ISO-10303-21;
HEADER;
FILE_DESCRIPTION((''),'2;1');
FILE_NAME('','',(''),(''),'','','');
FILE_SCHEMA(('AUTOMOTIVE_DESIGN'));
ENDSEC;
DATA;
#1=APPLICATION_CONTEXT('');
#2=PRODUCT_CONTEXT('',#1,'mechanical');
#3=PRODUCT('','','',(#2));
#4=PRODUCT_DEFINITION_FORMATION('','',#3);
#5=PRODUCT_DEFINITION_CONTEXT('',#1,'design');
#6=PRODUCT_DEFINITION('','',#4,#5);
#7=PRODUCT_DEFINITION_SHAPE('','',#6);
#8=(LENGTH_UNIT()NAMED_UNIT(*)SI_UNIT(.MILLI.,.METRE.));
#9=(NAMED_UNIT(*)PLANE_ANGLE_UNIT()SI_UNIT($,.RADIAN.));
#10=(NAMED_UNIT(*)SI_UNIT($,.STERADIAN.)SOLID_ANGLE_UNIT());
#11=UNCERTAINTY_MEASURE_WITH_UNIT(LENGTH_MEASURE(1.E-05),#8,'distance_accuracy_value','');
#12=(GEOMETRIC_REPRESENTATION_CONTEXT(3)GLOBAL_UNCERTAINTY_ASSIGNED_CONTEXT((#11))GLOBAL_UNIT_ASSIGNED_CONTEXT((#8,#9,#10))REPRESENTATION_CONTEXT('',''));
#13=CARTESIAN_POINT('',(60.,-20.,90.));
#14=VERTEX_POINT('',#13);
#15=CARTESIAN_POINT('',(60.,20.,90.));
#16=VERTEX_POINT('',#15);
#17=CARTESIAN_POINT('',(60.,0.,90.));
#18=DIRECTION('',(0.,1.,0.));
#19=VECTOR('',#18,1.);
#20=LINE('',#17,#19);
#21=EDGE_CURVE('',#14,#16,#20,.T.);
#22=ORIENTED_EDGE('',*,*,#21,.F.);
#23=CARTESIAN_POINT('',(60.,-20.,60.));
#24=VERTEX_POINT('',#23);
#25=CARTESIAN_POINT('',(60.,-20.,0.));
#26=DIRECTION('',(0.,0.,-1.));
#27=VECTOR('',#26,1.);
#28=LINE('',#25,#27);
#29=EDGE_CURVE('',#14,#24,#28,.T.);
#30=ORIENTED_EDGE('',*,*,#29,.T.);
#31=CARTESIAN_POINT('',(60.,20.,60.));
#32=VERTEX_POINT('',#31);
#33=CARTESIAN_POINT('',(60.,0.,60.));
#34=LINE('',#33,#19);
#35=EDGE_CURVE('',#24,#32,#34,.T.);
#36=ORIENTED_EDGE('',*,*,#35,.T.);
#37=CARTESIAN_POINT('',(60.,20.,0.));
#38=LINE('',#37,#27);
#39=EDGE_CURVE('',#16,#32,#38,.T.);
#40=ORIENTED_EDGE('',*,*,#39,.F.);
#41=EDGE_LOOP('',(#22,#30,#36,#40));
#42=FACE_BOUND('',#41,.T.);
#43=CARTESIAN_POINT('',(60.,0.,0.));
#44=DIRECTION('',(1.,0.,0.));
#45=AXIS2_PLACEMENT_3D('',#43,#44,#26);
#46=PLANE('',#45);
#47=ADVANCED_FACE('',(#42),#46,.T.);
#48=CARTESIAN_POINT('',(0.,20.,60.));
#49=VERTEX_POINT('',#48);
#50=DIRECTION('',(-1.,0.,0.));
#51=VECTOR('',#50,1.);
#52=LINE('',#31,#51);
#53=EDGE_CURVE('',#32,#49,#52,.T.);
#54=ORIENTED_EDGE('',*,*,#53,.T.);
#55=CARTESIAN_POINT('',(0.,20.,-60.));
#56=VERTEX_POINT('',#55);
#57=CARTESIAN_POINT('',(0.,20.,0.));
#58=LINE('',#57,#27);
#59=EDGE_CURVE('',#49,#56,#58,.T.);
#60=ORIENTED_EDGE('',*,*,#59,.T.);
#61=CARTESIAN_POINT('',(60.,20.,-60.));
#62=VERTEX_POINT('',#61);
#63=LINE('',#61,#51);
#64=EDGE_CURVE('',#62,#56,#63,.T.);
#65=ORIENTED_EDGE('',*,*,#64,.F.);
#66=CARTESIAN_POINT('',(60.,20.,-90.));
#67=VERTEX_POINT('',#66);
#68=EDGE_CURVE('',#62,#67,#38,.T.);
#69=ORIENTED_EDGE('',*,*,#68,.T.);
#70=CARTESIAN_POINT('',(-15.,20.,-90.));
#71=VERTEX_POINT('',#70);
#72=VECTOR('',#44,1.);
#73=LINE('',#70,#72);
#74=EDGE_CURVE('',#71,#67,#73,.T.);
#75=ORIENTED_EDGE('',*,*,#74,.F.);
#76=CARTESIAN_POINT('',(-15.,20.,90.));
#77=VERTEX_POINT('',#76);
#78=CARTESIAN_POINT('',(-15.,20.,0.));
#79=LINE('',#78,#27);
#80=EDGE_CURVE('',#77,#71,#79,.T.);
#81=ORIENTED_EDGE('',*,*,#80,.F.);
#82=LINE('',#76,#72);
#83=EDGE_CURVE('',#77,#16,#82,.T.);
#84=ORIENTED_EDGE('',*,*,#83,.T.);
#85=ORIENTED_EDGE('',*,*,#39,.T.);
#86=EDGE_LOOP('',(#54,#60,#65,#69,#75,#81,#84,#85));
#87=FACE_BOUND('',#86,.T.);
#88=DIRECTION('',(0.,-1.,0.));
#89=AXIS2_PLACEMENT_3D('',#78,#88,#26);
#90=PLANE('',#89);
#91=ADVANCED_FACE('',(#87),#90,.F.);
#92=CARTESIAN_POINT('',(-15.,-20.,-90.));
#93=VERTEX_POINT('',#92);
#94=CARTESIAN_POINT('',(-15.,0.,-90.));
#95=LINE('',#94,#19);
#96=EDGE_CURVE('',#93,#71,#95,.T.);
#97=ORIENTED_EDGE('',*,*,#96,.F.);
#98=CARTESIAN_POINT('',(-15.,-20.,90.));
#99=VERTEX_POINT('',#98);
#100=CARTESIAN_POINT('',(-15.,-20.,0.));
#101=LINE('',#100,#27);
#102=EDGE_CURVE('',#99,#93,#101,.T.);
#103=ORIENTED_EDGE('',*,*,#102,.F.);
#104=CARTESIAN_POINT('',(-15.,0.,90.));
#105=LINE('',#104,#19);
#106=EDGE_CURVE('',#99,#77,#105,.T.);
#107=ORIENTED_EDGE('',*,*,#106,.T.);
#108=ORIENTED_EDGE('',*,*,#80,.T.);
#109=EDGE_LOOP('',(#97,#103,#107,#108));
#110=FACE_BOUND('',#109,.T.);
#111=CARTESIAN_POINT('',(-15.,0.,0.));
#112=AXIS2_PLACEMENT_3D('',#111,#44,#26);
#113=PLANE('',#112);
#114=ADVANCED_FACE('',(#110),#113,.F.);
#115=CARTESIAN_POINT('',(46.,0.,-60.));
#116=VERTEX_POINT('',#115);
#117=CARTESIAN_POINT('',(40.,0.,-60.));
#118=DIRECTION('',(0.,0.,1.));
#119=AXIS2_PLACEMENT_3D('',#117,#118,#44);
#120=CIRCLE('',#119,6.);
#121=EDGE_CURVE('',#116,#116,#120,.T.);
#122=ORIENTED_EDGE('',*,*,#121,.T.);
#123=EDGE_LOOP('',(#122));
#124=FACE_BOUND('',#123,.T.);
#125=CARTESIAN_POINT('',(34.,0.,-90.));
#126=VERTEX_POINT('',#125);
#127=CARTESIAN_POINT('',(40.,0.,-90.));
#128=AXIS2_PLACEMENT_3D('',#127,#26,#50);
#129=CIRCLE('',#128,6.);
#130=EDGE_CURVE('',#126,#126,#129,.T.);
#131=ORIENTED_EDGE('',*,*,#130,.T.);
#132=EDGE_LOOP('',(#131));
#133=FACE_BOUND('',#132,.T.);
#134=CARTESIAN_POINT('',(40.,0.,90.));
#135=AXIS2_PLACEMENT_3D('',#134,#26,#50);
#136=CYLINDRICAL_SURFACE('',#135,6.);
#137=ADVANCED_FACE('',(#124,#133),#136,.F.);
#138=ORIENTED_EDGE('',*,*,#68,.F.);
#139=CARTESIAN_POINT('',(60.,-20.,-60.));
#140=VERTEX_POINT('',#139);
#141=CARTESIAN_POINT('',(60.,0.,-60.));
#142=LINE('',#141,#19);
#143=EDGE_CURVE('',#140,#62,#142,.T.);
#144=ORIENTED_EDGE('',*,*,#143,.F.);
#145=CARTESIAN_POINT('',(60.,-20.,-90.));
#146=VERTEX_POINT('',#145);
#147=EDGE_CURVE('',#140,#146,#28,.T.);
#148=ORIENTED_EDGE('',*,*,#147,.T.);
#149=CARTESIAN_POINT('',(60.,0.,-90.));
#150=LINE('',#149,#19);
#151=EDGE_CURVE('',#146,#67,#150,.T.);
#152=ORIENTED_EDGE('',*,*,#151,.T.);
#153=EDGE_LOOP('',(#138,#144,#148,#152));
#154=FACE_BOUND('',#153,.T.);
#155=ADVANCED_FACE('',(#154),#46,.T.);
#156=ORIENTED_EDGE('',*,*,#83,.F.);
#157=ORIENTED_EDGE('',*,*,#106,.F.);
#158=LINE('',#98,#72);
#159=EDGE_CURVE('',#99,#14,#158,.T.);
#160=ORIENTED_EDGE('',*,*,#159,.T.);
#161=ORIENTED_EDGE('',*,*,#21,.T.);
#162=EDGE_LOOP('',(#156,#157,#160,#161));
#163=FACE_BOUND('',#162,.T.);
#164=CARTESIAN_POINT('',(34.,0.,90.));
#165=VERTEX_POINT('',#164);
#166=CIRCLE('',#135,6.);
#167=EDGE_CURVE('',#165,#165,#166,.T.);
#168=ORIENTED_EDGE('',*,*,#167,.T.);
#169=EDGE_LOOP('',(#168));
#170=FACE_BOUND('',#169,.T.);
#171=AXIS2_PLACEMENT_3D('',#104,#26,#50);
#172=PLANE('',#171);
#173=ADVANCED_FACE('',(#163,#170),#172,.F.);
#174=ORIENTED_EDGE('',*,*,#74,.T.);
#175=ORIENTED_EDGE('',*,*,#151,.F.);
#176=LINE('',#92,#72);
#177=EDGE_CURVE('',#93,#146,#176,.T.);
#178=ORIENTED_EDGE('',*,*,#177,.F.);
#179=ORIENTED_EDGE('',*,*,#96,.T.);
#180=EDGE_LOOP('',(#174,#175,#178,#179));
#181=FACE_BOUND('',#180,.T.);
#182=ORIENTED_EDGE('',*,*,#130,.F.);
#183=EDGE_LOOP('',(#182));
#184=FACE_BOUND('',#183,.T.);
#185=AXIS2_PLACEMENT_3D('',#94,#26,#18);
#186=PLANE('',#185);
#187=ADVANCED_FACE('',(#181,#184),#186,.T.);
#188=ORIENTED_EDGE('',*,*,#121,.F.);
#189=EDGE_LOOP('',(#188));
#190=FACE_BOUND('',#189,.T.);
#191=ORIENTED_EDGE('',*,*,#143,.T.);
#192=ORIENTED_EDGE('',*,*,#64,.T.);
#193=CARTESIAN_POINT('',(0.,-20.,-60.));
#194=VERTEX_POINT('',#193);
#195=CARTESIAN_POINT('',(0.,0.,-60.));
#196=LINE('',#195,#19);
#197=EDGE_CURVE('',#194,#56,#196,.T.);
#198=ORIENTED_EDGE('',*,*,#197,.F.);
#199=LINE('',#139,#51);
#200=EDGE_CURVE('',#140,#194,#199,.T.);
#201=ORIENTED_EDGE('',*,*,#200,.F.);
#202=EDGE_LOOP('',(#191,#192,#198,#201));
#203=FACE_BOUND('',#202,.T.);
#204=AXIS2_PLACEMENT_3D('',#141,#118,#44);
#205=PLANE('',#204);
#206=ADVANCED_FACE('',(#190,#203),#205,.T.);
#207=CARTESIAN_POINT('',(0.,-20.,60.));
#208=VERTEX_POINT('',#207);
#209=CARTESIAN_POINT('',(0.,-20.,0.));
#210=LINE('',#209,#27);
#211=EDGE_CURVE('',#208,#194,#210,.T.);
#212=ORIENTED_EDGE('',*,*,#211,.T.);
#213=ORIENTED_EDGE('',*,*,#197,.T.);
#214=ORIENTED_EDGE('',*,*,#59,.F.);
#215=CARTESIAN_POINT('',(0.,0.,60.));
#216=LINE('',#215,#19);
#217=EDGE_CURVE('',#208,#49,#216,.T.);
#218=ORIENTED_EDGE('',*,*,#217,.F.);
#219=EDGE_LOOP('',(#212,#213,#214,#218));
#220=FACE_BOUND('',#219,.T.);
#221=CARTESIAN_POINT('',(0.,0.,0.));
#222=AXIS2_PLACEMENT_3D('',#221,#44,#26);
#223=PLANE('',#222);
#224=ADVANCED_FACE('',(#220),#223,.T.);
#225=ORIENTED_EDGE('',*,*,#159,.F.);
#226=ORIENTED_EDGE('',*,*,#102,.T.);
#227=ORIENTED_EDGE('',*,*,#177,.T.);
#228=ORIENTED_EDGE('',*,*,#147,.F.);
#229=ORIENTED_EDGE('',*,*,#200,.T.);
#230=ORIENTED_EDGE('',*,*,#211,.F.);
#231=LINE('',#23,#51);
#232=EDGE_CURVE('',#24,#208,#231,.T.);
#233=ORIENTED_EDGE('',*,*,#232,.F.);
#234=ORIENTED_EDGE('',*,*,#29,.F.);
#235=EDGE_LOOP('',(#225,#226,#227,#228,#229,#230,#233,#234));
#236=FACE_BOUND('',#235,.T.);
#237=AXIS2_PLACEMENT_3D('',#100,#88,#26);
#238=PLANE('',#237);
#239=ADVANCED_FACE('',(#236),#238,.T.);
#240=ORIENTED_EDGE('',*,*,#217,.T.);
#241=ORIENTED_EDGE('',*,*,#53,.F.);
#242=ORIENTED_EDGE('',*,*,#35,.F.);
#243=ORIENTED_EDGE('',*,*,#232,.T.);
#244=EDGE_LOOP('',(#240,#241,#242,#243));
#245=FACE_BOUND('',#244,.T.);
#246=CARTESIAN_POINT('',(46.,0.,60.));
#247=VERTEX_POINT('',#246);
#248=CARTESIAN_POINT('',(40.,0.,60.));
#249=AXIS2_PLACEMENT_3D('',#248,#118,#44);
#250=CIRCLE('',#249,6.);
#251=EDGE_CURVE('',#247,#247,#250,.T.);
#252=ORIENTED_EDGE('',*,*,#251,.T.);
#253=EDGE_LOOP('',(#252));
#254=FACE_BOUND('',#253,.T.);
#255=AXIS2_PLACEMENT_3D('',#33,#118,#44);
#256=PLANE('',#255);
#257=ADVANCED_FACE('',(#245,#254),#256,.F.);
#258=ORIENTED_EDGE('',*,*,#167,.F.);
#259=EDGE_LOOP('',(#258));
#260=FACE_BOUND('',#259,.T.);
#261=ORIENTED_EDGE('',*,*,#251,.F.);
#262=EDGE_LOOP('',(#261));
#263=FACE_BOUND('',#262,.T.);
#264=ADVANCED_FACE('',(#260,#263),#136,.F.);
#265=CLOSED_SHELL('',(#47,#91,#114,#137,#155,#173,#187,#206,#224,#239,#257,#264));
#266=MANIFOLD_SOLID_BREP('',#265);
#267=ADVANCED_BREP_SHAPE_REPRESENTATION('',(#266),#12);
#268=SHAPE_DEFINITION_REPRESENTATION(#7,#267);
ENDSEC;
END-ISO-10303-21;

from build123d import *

# Parameters (mm, degrees)
SKETCH1_W               = 180
SKETCH1_H               = 40
BOSS_EXTRUDE1_DEPTH     = 15
SKETCH1_3_W             = 30
SKETCH1_3_H             = 40
BOSS_EXTRUDE2_DEPTH     = 60
CUT_EXTRUDE1_DEPTH      = 163.788205961
CUT_EXTRUDE1_DEPTH_BACK = 163.788205961
SKETCH2_R               = 6


with BuildPart() as part:
    # Sketch1 → Boss-Extrude1 (new body)
    with BuildSketch(Plane(origin=(0, 0, 0), x_dir=(0, 0, -1), z_dir=(1, 0, 0))):
        Rectangle(SKETCH1_W, SKETCH1_H)
    extrude(amount=-BOSS_EXTRUDE1_DEPTH)

    # Sketch1<3> → Boss-Extrude2 (add)
    with BuildSketch(Plane(origin=(0, 0, 0), x_dir=(0, 0, -1), z_dir=(1, 0, 0))):
        with Locations((-75, 0)):
            Rectangle(SKETCH1_3_W, SKETCH1_3_H)
        with Locations((75, 0)):
            Rectangle(SKETCH1_3_W, SKETCH1_3_H)
    extrude(amount=BOSS_EXTRUDE2_DEPTH)

    # Sketch2 → Cut-Extrude1 (cut, two sides: drawn at the far end of the back side and taken through both)
    with BuildSketch(Plane(origin=(0, 0, 60), x_dir=(-1, 0, 0), z_dir=(0, 0, -1)).offset(-CUT_EXTRUDE1_DEPTH_BACK)):
        with Locations((-40, 0)):
            Circle(SKETCH2_R)
    extrude(amount=CUT_EXTRUDE1_DEPTH + CUT_EXTRUDE1_DEPTH_BACK, mode=Mode.SUBTRACT)


solid = part.part
